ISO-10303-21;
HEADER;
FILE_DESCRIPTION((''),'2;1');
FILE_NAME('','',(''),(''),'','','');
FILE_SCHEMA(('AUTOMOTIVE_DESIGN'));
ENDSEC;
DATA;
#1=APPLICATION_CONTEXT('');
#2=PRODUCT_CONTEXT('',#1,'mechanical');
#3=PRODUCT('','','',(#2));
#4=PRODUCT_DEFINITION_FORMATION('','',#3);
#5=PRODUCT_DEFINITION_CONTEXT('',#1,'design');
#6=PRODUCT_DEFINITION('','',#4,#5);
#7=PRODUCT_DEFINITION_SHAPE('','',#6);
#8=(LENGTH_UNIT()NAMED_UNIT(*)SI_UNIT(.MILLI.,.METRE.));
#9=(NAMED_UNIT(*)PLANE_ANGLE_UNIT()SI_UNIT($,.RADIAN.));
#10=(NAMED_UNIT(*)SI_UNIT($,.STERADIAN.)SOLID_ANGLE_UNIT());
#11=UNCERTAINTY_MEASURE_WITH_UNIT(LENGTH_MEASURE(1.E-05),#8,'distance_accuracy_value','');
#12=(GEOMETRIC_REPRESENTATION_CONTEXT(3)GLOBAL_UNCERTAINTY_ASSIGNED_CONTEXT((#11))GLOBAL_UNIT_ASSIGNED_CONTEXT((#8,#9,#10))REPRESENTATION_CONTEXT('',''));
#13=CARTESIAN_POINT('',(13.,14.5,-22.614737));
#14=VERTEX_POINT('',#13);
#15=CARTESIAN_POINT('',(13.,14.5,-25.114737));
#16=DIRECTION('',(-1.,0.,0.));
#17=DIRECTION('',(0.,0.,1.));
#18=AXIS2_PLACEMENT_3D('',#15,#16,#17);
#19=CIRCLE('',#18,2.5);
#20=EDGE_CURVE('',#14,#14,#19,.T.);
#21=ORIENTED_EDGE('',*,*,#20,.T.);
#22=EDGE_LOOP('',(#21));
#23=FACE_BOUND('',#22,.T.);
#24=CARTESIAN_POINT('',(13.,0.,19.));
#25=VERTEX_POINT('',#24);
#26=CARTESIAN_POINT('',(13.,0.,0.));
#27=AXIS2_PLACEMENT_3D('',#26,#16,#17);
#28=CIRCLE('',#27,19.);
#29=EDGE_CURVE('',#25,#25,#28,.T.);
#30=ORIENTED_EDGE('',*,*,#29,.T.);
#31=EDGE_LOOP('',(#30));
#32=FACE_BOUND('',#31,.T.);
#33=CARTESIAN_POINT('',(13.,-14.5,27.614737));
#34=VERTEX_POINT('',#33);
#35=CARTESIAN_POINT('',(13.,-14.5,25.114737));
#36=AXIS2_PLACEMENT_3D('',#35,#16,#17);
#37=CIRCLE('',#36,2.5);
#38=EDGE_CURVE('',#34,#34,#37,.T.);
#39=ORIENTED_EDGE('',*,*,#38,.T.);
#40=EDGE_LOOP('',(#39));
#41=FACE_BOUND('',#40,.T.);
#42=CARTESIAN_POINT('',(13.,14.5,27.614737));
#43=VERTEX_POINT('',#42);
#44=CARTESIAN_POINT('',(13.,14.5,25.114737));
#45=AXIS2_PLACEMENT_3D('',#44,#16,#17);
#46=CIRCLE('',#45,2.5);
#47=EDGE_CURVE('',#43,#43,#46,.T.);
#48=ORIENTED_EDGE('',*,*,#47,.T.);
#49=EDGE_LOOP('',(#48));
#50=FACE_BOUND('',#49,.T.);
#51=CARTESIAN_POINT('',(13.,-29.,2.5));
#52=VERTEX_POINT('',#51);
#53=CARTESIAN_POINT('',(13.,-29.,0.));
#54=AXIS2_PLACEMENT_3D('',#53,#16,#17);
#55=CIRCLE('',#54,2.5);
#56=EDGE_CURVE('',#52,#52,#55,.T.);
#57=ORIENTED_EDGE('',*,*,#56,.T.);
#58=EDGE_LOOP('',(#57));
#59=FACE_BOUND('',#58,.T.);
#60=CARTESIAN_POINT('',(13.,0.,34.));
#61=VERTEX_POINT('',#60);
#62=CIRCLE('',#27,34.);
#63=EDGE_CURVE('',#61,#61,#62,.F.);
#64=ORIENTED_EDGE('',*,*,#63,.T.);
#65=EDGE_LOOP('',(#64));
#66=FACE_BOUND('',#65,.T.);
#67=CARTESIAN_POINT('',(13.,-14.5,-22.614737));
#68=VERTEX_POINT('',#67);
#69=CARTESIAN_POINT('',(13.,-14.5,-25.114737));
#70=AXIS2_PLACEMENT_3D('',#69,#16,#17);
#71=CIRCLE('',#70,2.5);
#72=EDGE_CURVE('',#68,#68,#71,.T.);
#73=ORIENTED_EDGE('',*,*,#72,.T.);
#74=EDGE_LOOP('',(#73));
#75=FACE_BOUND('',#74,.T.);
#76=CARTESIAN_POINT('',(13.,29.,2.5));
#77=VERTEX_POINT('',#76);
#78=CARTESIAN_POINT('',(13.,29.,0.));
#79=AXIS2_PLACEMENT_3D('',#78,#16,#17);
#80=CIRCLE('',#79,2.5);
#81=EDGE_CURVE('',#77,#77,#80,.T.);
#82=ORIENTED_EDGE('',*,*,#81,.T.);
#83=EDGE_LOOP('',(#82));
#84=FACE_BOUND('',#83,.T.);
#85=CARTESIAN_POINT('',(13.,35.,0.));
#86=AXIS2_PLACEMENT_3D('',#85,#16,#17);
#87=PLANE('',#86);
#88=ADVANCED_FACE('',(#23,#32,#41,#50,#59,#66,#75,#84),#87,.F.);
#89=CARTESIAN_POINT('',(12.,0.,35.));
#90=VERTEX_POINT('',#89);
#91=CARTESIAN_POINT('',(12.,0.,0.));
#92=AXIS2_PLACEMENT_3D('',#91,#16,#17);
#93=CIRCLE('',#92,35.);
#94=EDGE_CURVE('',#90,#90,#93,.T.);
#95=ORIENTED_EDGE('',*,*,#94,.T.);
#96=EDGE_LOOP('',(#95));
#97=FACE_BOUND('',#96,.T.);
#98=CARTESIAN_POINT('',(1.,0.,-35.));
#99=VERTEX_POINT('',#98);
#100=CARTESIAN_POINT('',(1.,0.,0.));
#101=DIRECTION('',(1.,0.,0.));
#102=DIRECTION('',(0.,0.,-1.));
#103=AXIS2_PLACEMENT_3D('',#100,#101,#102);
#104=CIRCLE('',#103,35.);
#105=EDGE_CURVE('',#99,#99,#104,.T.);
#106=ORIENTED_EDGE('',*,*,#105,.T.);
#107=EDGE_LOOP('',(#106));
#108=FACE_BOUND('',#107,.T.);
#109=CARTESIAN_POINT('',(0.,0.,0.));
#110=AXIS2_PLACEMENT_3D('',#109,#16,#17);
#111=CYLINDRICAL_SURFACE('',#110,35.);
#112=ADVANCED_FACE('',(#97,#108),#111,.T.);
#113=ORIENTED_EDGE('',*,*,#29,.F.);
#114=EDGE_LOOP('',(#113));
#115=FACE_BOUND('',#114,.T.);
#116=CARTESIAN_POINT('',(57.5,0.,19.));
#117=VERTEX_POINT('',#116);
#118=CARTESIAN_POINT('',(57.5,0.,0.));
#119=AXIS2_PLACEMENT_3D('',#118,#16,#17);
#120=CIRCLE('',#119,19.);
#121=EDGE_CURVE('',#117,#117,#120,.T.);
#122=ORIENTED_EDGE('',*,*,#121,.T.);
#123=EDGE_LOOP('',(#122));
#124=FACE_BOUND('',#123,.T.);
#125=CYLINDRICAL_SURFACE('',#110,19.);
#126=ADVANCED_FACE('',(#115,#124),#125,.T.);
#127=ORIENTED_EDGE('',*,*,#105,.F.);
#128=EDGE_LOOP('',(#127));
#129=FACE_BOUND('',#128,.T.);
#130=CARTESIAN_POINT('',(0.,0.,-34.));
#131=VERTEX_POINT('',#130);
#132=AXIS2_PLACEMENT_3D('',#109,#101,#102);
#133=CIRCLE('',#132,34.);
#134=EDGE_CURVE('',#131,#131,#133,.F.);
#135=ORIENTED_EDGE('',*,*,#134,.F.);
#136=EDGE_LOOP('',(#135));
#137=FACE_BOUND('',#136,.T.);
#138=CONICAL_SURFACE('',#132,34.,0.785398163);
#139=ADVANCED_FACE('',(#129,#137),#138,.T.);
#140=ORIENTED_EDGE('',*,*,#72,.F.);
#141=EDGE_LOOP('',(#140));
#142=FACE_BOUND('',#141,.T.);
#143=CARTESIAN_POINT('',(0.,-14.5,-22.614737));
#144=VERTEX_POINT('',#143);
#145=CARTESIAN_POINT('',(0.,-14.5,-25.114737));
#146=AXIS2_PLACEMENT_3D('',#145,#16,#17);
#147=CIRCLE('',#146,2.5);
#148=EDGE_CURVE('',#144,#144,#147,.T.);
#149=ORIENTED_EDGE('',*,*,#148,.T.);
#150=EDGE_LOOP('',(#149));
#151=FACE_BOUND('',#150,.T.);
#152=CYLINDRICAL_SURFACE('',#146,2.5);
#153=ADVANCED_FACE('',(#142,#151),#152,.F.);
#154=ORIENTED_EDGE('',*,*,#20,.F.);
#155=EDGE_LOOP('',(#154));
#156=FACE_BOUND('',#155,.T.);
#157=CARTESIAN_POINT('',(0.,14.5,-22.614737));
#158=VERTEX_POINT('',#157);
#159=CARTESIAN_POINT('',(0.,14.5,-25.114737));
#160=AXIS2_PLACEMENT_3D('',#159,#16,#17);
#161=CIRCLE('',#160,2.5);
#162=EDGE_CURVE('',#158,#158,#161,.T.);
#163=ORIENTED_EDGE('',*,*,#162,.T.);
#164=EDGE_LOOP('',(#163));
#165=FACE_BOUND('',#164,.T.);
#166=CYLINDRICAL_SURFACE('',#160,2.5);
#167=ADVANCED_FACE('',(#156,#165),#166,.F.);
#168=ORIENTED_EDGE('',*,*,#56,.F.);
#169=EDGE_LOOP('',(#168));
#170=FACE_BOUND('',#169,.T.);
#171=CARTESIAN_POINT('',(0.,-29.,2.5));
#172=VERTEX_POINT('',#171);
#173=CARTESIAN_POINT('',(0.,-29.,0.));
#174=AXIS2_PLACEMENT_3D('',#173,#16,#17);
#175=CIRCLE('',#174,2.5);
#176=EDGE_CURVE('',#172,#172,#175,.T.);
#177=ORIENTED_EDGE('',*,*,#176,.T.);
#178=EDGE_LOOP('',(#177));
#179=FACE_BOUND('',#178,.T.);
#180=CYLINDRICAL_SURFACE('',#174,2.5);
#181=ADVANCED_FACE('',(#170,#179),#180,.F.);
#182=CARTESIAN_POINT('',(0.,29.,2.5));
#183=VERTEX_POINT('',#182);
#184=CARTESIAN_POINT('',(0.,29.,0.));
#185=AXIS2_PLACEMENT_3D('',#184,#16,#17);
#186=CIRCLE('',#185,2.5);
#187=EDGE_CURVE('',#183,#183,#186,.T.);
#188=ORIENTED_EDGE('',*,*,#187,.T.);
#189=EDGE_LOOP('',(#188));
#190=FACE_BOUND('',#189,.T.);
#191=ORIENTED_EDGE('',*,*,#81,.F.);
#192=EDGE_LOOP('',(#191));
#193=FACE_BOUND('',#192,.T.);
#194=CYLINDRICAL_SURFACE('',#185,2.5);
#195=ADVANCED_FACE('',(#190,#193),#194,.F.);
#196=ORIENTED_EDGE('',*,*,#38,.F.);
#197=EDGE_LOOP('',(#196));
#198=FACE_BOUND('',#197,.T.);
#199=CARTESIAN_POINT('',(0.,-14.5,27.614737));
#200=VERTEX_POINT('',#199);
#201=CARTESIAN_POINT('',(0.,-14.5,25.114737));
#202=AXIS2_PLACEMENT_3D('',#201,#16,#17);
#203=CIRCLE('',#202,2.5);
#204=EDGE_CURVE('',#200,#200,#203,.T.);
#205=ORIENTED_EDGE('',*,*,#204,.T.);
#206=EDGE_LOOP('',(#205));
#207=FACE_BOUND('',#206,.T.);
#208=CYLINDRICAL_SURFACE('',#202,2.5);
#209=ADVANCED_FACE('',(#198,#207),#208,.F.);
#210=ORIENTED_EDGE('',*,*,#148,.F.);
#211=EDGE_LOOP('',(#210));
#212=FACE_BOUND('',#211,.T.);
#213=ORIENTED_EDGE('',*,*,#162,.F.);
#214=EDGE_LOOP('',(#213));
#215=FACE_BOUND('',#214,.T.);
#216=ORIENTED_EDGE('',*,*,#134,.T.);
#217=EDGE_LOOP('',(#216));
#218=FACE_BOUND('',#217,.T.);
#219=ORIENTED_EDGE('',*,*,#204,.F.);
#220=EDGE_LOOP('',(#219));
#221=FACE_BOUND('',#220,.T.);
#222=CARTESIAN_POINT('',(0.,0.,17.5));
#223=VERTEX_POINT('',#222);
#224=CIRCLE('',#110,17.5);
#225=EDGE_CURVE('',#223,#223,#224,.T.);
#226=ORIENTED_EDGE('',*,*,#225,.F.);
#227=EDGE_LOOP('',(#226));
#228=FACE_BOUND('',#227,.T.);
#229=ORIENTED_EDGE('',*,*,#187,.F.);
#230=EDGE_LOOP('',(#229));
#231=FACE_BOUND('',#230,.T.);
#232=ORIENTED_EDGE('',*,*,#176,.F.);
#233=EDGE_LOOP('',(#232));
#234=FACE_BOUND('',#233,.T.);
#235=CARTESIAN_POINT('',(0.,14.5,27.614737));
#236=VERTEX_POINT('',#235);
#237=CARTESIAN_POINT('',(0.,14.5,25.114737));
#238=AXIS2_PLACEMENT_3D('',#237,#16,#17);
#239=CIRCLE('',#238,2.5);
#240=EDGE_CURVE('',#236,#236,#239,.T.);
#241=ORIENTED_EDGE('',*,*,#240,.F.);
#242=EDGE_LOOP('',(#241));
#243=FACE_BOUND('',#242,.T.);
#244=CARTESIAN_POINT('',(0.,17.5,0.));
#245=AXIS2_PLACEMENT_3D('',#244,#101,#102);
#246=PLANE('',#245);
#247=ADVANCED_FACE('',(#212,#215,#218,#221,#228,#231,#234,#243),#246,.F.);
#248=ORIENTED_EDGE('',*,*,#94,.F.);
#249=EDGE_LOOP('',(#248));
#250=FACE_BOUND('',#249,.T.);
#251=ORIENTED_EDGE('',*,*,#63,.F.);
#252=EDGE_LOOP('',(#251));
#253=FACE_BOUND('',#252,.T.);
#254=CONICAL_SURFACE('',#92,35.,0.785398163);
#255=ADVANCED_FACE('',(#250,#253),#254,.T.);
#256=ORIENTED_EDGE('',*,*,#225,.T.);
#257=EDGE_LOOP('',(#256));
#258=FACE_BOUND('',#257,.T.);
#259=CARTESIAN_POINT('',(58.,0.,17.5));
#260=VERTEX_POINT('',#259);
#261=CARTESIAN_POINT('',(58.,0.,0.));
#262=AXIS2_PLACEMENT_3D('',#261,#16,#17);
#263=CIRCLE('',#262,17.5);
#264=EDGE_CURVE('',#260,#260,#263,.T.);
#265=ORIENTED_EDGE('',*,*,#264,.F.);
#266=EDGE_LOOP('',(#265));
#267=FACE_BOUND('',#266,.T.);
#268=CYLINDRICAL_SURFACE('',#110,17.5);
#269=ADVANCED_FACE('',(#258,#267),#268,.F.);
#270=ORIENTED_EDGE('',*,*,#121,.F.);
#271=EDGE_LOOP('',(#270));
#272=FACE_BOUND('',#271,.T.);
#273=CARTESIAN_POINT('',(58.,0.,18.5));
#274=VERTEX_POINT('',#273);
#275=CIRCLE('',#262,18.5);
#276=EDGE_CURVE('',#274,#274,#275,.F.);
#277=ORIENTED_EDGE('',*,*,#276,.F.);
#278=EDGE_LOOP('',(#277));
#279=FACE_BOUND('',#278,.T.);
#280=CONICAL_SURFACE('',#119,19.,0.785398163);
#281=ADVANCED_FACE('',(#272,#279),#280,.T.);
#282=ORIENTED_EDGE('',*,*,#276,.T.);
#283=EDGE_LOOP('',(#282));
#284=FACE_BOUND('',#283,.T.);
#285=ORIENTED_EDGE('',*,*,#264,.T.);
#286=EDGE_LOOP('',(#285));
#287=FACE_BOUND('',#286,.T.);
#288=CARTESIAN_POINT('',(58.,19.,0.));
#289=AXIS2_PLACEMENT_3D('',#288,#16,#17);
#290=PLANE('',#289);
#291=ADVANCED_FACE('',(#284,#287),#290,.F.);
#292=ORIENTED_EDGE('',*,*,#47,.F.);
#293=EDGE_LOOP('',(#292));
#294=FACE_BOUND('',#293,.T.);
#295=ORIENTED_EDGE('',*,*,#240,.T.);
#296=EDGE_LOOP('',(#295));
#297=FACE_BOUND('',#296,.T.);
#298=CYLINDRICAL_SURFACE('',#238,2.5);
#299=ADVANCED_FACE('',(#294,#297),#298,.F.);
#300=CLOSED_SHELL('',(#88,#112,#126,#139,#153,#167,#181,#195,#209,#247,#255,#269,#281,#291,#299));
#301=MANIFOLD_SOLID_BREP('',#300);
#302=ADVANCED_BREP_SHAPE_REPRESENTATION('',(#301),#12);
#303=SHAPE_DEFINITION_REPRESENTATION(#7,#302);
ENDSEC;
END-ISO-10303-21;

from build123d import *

# Parameters (mm, degrees)
HOLE_WIZARD_M6_1_D       = 5
PATTERN_CIRCULAR_1_COUNT = 6
CHAMFER_1_SIZE           = 1
CHAMFER_2_SIZE           = 1
CHAMFER_3_SIZE           = 0.5


with BuildPart() as part:
    # 스케치1 → 회전1 (revolve)
    with BuildSketch(Plane.XY, mode=Mode.PRIVATE) as revolve_1_sk:
        Polygon((0, 17.5), (0, 35), (13, 35), (13, 19), (58, 19), (58, 17.5), align=None)
    revolve(revolve_1_sk.sketch.rotate(Axis((0, 0, 0), (1, 0, 0)), 90), axis=Axis((0, 0, 0), (1, 0, 0)))

    # M6 나사 구멍1 (through all)
    with Locations(Plane.ZY):
        with Locations((0, 29)):
            hole_wizard_m6_1 = Hole(HOLE_WIZARD_M6_1_D / 2)

    # 원형 패턴1: M6 나사 구멍1 ×6 about axis
    pattern_circular_1_axis = Axis((0, 0, 0), (1, 0, 0))
    for i in range(1, PATTERN_CIRCULAR_1_COUNT):
        add(hole_wizard_m6_1.rotate(pattern_circular_1_axis, i * 360 / PATTERN_CIRCULAR_1_COUNT), mode=Mode.SUBTRACT)

    # 모따기1
    chamfer_1_edges = [part.edges().sort_by_distance(p)[0] for p in [
        (0, 0, -35),
    ]]
    chamfer(chamfer_1_edges, length=CHAMFER_1_SIZE)

    # 모따기2
    chamfer_2_edges = [part.edges().sort_by_distance(p)[0] for p in [
        (13, 0, -35),
    ]]
    chamfer(chamfer_2_edges, length=CHAMFER_2_SIZE)

    # 모따기3
    chamfer_3_edges = [part.edges().sort_by_distance(p)[0] for p in [
        (58, 0, -19),
    ]]
    chamfer(chamfer_3_edges, length=CHAMFER_3_SIZE)


solid = part.part
